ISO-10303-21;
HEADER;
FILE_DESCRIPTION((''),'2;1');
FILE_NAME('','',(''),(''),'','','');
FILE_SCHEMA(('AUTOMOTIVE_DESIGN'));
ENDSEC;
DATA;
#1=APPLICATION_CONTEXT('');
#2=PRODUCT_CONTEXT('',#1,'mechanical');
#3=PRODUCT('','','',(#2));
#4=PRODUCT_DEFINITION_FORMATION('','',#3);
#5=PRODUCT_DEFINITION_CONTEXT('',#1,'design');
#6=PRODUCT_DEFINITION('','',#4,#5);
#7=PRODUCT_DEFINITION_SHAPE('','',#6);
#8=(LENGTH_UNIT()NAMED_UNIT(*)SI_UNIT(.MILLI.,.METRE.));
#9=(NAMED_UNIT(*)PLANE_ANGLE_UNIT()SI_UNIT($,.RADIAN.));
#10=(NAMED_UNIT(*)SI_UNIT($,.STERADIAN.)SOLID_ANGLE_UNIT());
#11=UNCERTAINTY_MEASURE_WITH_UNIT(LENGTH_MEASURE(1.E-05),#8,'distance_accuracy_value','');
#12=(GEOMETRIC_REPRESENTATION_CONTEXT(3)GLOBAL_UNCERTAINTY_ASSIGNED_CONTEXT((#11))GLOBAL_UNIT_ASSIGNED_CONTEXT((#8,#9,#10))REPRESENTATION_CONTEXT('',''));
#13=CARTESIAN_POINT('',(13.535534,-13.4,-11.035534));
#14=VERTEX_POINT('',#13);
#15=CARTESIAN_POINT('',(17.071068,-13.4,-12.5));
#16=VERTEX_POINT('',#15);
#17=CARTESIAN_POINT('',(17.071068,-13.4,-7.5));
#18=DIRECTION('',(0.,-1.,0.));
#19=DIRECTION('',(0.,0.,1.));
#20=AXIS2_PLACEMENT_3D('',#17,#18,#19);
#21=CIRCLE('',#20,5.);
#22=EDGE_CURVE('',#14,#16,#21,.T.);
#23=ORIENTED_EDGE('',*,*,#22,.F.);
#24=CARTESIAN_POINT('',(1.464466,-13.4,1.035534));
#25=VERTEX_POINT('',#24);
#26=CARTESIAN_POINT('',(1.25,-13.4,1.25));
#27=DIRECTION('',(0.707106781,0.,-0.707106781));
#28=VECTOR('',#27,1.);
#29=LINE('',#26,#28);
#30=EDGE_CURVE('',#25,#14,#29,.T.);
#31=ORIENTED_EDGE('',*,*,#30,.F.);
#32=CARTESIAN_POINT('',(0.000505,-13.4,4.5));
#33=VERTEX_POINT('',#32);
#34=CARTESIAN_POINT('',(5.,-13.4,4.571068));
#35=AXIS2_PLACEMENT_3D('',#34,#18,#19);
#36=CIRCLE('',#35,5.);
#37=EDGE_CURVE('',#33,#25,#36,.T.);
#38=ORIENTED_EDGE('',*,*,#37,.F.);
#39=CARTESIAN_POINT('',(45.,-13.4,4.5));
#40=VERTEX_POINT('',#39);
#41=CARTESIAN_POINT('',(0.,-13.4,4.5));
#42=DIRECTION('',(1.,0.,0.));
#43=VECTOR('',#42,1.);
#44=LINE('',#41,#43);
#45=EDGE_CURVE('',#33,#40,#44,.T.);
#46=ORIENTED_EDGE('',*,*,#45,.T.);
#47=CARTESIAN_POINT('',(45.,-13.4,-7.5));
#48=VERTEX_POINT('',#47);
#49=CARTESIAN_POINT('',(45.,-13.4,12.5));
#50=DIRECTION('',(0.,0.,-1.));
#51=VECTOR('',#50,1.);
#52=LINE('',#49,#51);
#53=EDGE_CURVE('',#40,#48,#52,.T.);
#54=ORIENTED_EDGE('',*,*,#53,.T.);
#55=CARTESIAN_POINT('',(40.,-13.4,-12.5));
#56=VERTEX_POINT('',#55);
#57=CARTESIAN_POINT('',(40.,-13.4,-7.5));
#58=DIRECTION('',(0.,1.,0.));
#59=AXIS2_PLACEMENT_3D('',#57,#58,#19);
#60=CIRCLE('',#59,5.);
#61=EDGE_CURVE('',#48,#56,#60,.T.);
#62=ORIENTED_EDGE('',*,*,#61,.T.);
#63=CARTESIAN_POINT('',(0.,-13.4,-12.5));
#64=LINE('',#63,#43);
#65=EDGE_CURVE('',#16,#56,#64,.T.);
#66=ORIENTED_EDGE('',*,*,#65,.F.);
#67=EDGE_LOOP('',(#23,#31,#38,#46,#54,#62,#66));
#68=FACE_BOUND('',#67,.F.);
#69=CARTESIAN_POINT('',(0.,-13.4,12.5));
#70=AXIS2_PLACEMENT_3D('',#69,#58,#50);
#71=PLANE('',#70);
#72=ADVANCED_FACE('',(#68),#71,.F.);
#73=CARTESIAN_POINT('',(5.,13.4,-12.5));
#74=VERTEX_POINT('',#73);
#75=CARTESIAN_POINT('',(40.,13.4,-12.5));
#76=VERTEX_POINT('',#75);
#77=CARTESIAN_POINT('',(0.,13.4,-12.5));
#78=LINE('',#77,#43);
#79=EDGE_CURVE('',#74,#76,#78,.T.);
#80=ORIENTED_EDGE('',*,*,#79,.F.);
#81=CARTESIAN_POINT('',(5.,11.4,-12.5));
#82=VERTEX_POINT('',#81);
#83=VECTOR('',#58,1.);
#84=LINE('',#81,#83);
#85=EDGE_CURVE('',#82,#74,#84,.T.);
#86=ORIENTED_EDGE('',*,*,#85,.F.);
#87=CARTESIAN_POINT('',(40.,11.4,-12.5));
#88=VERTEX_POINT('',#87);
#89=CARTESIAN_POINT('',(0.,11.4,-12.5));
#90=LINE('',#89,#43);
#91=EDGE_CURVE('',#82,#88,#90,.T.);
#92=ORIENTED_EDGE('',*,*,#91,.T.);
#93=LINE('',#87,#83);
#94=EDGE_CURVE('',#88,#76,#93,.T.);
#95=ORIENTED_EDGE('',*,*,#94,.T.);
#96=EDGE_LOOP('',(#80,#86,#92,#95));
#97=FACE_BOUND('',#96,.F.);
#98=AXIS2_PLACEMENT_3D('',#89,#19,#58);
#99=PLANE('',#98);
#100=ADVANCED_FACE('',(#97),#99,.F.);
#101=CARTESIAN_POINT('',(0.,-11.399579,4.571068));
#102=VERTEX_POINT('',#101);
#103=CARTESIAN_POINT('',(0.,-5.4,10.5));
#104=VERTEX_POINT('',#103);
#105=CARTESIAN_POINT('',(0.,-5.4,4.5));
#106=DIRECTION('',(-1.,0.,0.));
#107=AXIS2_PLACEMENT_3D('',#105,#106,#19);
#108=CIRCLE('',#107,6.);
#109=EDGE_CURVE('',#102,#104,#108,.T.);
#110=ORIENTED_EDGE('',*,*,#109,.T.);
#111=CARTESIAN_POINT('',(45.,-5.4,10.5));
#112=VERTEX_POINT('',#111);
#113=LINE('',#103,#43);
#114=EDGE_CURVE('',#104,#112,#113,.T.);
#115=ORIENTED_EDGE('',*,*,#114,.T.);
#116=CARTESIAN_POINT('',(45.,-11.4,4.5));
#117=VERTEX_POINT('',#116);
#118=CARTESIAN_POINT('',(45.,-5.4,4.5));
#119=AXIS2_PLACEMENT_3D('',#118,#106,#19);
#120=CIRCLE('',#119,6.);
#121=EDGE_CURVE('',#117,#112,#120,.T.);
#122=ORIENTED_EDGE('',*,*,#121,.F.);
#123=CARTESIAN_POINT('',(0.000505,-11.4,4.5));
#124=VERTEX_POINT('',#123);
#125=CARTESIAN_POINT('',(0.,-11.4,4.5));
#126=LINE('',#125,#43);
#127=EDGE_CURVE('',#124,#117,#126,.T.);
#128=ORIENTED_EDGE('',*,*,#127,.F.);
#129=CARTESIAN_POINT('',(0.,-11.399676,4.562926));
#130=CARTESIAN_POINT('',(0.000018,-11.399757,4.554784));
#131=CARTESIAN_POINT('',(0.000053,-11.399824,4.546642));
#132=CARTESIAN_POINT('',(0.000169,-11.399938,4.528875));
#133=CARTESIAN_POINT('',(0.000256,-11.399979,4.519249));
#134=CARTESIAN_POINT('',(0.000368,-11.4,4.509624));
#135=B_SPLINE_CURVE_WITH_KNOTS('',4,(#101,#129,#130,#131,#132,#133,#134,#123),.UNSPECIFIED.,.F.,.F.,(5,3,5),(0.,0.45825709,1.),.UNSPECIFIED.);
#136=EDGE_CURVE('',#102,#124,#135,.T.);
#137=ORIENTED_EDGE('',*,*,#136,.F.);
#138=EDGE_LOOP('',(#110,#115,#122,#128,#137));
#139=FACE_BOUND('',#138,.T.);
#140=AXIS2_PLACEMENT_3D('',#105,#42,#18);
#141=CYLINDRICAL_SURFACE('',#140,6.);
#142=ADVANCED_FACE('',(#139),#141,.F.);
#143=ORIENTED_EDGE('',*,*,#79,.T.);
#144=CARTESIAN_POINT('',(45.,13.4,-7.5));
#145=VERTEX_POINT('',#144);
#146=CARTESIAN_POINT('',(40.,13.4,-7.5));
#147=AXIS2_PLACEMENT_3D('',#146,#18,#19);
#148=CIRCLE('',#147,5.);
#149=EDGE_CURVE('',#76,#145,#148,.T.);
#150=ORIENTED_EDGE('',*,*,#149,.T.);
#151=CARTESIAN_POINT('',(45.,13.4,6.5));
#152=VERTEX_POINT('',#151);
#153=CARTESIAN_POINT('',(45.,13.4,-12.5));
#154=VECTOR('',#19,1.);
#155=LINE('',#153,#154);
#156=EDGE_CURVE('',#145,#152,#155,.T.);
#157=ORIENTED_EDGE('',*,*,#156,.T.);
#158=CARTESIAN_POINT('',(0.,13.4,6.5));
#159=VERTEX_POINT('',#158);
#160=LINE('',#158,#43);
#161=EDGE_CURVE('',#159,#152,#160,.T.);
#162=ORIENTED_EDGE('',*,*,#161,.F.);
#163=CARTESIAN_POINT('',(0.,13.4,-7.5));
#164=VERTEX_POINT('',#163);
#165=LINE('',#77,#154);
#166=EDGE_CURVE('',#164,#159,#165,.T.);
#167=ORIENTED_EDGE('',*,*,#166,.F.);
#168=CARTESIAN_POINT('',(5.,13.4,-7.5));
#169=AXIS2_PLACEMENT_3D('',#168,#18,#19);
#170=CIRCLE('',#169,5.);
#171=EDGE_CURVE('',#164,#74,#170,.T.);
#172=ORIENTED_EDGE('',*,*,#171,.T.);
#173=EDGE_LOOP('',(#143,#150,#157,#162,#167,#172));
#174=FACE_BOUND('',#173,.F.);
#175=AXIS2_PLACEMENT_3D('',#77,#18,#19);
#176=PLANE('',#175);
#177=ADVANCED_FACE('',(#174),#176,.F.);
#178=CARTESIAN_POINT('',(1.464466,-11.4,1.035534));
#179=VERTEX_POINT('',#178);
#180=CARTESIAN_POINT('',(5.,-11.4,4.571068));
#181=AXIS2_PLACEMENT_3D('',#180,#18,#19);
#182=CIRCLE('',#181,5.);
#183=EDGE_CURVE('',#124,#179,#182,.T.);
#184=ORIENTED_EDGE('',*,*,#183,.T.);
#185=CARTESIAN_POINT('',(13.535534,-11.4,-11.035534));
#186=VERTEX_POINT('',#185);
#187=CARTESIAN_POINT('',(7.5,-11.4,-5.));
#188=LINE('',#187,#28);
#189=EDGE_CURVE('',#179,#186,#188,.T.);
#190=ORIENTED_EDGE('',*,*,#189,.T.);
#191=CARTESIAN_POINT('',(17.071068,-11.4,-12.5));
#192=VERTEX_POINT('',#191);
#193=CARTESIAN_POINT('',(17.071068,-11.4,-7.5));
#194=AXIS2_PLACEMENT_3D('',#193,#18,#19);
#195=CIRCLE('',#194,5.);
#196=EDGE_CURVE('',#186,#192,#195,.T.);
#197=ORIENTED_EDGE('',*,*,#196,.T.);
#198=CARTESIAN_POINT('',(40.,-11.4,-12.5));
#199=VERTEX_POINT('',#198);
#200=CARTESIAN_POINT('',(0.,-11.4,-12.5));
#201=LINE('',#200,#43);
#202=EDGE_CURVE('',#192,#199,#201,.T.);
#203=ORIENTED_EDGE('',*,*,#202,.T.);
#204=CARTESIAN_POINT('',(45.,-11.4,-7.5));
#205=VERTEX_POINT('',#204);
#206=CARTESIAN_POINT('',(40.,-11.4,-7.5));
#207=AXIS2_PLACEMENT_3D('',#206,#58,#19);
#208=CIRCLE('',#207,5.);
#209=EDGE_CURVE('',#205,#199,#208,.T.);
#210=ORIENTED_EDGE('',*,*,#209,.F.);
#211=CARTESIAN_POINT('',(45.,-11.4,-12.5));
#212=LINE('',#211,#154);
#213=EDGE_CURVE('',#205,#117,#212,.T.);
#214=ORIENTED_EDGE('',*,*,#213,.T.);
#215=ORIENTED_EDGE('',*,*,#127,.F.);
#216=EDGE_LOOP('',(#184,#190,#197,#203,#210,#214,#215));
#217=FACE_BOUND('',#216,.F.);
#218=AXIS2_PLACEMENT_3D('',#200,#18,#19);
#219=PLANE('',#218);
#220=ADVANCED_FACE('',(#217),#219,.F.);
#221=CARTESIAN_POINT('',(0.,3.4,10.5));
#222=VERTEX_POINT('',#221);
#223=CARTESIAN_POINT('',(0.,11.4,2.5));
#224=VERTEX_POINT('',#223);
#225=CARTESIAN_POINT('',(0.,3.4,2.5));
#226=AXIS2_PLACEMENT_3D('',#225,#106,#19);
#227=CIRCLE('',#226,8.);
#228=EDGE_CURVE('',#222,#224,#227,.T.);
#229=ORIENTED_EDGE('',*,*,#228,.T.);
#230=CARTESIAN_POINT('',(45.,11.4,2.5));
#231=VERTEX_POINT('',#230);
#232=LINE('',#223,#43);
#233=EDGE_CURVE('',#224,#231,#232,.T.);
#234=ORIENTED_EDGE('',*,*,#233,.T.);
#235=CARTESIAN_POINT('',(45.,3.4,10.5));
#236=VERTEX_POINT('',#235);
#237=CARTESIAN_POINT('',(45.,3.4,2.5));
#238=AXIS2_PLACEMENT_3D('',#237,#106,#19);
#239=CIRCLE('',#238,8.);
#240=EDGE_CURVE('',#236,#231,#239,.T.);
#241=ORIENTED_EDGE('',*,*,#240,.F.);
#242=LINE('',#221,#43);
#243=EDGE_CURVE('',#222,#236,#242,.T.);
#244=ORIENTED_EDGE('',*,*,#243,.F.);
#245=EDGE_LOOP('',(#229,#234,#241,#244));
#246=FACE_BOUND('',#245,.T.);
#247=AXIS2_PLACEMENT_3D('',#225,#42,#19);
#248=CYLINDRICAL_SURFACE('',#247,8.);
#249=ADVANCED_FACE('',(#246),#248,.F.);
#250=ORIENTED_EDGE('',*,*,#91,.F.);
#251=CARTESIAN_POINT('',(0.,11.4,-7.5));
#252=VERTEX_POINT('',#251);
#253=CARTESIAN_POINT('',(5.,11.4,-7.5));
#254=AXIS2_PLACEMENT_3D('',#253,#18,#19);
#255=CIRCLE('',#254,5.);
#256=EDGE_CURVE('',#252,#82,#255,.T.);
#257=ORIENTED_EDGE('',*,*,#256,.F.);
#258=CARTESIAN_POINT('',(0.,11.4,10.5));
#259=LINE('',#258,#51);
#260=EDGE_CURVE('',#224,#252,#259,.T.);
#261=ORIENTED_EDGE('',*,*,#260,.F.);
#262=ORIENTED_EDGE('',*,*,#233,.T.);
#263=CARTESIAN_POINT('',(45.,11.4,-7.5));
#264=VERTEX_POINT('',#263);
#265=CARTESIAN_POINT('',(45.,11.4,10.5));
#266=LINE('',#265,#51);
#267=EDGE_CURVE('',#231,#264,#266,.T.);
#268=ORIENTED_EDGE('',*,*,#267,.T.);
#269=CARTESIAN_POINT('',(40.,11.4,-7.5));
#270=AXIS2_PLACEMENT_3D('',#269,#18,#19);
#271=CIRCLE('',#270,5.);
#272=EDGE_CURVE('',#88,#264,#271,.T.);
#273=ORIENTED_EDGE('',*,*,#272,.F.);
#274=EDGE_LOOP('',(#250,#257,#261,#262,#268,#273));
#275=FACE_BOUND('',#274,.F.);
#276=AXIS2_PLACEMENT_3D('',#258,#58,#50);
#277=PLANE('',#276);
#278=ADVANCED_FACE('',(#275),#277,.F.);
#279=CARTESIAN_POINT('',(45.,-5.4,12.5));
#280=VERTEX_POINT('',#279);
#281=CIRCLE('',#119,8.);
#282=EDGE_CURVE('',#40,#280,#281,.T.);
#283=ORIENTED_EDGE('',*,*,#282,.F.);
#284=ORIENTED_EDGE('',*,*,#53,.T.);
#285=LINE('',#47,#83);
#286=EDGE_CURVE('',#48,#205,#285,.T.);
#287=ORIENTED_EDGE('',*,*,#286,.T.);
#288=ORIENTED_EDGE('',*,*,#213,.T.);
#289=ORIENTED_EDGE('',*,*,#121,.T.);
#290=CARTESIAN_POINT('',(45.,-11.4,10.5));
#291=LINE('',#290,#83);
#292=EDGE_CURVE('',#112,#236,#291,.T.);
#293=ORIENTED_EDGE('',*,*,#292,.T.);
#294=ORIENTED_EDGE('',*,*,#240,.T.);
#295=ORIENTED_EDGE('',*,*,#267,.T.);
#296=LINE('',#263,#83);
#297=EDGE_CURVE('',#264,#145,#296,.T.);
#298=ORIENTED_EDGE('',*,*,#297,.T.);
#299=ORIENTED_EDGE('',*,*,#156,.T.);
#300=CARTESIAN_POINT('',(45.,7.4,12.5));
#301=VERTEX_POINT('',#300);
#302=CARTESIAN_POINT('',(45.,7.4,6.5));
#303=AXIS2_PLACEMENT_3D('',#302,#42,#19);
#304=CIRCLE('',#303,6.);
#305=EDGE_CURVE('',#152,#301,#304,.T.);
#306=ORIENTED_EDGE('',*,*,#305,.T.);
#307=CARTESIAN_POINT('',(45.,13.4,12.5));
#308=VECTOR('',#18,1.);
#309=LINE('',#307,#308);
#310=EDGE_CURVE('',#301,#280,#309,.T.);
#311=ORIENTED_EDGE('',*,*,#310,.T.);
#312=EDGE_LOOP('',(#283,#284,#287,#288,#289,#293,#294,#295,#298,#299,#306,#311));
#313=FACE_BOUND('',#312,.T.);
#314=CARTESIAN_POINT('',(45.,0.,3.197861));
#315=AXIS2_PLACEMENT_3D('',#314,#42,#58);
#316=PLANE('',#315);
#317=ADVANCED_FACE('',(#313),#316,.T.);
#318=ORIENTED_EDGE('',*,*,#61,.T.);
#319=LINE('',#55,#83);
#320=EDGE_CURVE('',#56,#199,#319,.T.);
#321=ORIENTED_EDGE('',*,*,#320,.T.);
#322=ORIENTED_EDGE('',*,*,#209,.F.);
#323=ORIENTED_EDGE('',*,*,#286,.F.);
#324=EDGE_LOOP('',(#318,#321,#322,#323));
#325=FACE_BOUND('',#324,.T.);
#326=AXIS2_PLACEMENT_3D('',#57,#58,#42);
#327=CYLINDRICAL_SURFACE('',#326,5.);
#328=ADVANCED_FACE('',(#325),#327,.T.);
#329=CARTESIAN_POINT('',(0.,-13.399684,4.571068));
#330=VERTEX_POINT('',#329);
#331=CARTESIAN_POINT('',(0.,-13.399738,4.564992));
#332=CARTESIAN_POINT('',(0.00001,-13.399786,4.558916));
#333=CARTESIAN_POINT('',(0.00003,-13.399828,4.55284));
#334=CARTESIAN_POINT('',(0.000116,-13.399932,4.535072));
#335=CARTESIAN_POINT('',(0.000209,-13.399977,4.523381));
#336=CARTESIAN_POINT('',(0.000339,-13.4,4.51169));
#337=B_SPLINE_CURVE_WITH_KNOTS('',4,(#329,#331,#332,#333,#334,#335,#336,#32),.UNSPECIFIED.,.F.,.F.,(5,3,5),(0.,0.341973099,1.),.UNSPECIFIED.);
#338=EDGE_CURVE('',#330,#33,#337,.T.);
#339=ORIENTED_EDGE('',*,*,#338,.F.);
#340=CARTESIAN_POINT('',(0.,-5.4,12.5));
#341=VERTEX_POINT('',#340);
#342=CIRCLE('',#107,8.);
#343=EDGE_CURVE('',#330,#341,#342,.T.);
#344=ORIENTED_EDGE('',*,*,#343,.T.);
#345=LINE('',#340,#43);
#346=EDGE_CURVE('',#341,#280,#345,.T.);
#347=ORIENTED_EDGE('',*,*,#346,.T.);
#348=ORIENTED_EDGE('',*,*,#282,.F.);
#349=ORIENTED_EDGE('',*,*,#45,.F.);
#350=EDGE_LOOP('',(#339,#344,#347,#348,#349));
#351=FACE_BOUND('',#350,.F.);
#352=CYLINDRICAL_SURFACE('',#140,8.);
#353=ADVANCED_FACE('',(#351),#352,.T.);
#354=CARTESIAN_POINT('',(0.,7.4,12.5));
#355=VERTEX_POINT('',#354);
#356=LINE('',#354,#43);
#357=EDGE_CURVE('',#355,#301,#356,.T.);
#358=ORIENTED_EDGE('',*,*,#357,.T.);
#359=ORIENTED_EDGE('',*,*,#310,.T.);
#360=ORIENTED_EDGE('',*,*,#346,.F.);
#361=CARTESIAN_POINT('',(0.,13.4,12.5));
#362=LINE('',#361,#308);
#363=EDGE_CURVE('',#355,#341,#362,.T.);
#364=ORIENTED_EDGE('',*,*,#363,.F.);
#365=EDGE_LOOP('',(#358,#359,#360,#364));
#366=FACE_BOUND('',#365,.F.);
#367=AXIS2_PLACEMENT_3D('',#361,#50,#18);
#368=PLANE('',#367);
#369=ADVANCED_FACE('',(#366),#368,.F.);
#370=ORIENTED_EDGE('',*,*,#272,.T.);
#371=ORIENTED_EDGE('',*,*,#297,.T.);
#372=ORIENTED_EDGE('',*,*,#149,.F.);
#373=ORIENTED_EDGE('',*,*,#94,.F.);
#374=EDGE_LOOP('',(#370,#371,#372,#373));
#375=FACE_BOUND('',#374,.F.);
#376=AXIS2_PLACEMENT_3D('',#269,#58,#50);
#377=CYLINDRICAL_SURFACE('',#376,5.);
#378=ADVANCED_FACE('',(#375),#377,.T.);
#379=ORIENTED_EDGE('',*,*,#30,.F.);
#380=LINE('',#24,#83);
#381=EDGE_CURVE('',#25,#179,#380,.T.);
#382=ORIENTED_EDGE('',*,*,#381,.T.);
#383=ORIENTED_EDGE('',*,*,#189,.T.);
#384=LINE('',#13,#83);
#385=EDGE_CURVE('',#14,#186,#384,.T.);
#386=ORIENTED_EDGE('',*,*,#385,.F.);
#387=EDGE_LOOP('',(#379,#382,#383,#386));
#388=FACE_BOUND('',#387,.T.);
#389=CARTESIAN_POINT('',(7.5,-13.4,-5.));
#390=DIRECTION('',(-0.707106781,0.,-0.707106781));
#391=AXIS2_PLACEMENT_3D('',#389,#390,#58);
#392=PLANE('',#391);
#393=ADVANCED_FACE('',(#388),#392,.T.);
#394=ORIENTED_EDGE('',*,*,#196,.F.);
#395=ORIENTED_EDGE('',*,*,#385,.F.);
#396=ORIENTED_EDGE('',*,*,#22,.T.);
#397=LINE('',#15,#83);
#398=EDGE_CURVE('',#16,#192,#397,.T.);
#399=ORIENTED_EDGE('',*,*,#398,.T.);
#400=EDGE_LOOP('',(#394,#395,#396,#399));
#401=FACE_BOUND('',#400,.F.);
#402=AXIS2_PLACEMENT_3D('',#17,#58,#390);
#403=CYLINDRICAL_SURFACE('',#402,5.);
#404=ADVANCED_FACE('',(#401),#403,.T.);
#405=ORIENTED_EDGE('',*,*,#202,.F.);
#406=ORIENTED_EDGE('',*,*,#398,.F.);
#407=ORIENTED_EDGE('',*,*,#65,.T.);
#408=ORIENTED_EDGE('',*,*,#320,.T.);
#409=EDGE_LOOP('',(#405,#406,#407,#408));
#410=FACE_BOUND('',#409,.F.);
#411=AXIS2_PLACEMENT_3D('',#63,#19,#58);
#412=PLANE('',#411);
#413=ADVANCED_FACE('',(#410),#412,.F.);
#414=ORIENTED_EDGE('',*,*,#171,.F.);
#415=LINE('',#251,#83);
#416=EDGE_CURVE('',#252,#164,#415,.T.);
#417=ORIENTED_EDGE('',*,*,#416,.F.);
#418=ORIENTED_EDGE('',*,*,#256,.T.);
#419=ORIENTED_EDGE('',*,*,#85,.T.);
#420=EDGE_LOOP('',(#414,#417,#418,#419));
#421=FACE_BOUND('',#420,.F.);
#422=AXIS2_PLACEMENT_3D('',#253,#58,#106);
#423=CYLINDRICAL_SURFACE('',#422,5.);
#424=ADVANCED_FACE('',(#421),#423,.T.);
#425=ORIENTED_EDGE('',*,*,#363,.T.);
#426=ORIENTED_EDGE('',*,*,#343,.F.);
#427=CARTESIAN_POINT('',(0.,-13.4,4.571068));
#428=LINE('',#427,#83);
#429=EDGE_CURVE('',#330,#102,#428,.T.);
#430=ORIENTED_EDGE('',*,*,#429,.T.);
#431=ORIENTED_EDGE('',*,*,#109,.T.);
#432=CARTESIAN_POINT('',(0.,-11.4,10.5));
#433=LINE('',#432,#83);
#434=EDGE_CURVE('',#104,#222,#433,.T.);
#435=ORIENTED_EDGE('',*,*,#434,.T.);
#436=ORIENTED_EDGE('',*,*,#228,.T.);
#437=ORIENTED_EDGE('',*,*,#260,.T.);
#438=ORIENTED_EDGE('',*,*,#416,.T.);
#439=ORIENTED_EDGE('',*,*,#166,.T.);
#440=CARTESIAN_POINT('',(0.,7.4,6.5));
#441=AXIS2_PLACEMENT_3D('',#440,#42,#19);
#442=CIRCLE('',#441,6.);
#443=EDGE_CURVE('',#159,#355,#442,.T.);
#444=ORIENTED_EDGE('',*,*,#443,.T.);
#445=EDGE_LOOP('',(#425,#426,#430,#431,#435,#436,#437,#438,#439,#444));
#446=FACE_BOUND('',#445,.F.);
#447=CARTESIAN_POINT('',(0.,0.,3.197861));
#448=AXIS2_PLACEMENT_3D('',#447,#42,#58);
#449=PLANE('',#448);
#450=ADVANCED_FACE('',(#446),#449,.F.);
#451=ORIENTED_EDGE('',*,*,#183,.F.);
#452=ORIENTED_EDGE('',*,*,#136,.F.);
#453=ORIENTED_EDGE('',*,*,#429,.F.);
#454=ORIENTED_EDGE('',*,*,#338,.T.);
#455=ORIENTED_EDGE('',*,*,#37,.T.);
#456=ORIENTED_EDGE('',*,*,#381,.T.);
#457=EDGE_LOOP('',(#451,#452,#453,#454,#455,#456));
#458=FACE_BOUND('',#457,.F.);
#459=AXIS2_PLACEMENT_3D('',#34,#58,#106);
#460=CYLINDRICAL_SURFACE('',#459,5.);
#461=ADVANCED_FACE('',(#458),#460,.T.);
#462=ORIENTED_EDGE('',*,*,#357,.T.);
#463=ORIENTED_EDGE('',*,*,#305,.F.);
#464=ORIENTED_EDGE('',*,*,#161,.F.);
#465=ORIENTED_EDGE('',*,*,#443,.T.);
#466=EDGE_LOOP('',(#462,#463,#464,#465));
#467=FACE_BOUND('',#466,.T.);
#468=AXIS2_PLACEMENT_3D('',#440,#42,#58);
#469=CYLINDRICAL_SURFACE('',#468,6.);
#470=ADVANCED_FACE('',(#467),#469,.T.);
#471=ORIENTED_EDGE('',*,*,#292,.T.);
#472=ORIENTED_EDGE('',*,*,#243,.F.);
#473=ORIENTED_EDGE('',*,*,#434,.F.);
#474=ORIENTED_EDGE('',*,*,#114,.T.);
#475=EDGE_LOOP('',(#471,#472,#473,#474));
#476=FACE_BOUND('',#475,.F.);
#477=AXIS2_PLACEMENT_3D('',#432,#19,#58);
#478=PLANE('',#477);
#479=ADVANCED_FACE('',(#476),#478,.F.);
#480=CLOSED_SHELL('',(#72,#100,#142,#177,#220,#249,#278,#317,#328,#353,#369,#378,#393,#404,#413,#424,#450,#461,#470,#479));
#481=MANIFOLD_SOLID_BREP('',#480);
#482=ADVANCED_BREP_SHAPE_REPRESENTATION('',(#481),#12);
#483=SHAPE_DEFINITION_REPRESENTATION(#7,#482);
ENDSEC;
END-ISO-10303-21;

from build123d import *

# Parameters (mm, degrees)
F1_DEPTH = 45
F2_R     = 6
F3_R     = 8
F4_R     = 5
F5_SIZE  = 15
F6_R     = 5
F7_R     = 5
F8_R     = 8
F9_R     = 6


with BuildPart() as f1:
    # F0 (on Right) → F1 (new body)
    with BuildSketch(Plane.YZ):
        Polygon((13.4, 12.5), (-13.4, 12.5), (-13.4, -12.5), (-11.4, -12.5), (-11.4, 10.5), (11.4, 10.5), (11.4, -12.5), (13.4, -12.5), align=None)
    extrude(amount=F1_DEPTH)

    # F2
    f2_edges = [f1.edges().sort_by_distance(p)[0] for p in [
        (22.5, -11.4, 10.5),
    ]]
    fillet(f2_edges, radius=F2_R)

    # F3
    f3_edges = [f1.edges().sort_by_distance(p)[0] for p in [
        (22.5, -13.4, 12.5),
    ]]
    fillet(f3_edges, radius=F3_R)

    # F4
    f4_edges = [f1.edges().sort_by_distance(p)[0] for p in [
        (0, 12.4, -12.5),
        (45, 12.4, -12.5),
    ]]
    fillet(f4_edges, radius=F4_R)

    # F5
    f5_edges = [f1.edges().sort_by_distance(p)[0] for p in [
        (0, -12.4, -12.5),
    ]]
    chamfer(f5_edges, length=F5_SIZE)

    # F6
    f6_edges = [f1.edges().sort_by_distance(p)[0] for p in [
        (0, -12.4, 2.5),
        (15, -12.4, -12.5),
    ]]
    fillet(f6_edges, radius=F6_R)

    # F7
    f7_edges = [f1.edges().sort_by_distance(p)[0] for p in [
        (45, -12.4, -12.5),
    ]]
    fillet(f7_edges, radius=F7_R)

    # F8
    f8_edges = [f1.edges().sort_by_distance(p)[0] for p in [
        (22.5, 11.4, 10.5),
    ]]
    fillet(f8_edges, radius=F8_R)

    # F9
    f9_edges = [f1.edges().sort_by_distance(p)[0] for p in [
        (22.5, 13.4, 12.5),
    ]]
    fillet(f9_edges, radius=F9_R)


solid = f1.part
